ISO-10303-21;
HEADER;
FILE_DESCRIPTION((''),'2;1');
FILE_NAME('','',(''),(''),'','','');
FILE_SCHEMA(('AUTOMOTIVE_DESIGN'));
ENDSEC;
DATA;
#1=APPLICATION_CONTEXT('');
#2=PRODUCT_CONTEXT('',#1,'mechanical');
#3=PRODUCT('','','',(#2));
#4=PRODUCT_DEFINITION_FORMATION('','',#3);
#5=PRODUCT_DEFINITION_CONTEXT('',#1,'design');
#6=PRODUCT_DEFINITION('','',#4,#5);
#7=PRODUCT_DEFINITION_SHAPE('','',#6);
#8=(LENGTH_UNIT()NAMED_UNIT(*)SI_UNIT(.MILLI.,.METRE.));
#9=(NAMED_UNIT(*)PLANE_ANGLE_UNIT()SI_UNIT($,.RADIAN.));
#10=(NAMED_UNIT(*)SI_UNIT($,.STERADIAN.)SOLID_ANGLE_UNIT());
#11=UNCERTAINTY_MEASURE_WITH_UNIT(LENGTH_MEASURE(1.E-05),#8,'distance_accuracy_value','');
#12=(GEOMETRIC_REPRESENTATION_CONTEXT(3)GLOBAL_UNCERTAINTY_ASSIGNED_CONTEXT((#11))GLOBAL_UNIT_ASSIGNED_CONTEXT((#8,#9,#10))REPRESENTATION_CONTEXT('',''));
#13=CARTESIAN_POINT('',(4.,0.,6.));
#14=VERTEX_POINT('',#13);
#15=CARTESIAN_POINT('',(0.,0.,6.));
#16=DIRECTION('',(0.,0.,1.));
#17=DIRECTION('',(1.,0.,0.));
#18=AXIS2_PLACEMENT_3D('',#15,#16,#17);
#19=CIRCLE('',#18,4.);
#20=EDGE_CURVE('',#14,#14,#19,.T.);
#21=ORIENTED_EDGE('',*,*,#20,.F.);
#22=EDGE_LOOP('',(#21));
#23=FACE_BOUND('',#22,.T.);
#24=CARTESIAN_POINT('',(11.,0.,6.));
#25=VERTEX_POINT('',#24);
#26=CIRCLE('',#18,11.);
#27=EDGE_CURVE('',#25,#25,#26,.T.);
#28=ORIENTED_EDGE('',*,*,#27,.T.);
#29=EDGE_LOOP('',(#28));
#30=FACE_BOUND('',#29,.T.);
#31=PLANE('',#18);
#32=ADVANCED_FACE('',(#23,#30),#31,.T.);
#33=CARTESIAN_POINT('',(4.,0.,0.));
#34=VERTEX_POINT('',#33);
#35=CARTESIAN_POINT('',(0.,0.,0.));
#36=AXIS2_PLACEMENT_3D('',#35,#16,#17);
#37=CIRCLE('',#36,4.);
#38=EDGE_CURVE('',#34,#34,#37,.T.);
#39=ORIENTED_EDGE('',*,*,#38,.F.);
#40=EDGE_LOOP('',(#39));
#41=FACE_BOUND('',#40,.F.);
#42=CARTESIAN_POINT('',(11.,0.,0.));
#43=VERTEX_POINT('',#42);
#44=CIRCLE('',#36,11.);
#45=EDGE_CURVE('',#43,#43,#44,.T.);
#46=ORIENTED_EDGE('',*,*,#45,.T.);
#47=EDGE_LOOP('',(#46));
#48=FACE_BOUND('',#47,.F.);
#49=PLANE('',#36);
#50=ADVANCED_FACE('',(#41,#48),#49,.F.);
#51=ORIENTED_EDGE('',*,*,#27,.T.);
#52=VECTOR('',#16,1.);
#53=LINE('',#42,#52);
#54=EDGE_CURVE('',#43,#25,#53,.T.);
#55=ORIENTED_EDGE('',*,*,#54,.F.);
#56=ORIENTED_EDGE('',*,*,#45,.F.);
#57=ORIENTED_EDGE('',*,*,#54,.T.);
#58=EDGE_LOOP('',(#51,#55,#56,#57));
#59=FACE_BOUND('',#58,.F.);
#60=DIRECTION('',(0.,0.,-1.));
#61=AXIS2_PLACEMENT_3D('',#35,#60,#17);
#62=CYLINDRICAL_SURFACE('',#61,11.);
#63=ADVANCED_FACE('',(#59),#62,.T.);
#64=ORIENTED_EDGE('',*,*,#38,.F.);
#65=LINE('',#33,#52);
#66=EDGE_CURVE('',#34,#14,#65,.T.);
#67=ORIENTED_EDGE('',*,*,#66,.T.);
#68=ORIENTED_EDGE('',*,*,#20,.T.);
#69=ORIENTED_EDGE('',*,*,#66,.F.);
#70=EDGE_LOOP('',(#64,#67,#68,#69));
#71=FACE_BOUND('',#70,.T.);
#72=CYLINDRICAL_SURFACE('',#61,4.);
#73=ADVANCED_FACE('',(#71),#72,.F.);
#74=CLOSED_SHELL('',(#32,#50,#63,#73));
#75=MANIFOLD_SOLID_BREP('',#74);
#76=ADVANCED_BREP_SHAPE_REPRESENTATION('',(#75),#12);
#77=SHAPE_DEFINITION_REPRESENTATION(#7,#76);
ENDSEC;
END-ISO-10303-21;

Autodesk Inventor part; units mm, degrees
ref_plane "YZ Plane" through (0, 0, 0) normal (1, 0, 0) x (0, 1, 0)
ref_plane "XZ Plane" through (0, 0, 0) normal (0, 1, 0) x (-1, 0, 0)
ref_plane "XY Plane" through (0, 0, 0) normal (0, 0, 1) x (1, 0, 0)
sketch "Boceto1" plane through (0, 0, 0) normal (0, 0, 1) x (1, 0, 0)
  circle A0 centre (0, 0) radius 11
  circle A1 centre (0, 0) radius 4
  dimension "d0" = 22
  dimension "d1" = 8
extrude "Extrusión1" add sketch "Boceto1" along normal blind 6
properties part number "Rodamiento"
